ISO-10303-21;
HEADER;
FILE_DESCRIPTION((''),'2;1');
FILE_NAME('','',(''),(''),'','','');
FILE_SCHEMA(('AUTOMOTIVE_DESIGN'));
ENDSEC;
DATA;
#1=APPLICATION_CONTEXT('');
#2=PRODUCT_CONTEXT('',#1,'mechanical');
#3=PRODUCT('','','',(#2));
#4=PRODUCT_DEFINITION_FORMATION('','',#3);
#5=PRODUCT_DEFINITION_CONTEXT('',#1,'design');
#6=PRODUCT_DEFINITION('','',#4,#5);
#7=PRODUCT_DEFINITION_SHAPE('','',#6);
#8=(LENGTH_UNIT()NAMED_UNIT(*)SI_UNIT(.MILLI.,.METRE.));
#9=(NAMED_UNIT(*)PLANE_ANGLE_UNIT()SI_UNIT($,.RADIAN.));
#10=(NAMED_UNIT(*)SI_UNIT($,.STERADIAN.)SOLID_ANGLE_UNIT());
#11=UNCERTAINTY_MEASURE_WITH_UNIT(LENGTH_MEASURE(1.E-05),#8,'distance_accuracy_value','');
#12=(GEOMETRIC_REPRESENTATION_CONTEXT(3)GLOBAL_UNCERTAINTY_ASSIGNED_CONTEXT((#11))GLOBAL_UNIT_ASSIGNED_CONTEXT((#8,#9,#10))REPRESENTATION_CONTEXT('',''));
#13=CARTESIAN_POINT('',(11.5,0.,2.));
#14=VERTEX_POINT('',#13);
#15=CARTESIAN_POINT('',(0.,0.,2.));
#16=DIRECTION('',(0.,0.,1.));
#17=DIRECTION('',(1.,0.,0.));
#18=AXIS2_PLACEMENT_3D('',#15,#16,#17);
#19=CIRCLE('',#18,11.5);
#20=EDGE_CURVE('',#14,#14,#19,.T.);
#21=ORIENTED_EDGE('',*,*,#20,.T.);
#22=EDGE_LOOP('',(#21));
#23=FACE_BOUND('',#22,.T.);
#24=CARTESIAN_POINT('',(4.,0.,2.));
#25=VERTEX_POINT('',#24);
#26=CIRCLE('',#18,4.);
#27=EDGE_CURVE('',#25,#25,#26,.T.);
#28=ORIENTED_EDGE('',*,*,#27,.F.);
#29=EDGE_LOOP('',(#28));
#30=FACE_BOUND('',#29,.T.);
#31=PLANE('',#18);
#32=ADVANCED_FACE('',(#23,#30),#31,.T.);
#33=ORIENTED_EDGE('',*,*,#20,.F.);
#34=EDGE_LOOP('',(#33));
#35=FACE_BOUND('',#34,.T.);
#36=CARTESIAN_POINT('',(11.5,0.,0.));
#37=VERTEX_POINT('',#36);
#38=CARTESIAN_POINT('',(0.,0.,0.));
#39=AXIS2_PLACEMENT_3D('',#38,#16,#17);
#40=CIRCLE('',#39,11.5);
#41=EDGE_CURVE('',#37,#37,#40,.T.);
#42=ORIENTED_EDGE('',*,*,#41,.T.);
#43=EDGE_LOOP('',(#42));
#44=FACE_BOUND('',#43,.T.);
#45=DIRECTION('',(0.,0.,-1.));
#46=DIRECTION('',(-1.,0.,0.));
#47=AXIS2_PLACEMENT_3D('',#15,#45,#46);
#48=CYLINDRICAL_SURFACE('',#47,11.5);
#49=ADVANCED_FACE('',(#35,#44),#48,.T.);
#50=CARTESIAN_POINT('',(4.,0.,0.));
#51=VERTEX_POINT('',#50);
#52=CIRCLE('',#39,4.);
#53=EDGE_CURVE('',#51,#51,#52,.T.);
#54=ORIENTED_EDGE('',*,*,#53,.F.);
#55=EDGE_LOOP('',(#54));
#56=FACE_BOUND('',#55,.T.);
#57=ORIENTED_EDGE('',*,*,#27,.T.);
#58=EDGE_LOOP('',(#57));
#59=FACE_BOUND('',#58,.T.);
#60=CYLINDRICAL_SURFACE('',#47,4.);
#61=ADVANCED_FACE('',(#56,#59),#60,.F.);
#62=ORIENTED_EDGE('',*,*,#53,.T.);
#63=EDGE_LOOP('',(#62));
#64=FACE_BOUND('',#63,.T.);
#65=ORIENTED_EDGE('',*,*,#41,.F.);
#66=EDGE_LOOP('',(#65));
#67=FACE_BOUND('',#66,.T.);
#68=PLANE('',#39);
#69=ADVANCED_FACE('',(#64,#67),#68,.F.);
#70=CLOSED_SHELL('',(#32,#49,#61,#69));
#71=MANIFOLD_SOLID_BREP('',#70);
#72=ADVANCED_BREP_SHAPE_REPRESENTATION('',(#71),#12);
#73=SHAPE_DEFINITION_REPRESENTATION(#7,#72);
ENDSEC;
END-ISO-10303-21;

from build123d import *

# Parameters (mm, degrees)
SKETCH1_R           = 11.5
SKETCH1_R_2         = 4
BOSS_EXTRUDE1_DEPTH = 2


with BuildPart() as part:
    # Sketch1 → Boss-Extrude1 (new body)
    with BuildSketch(Plane.XY):
        Circle(SKETCH1_R)
        Circle(SKETCH1_R_2, mode=Mode.SUBTRACT)
    extrude(amount=BOSS_EXTRUDE1_DEPTH)


solid = part.part
